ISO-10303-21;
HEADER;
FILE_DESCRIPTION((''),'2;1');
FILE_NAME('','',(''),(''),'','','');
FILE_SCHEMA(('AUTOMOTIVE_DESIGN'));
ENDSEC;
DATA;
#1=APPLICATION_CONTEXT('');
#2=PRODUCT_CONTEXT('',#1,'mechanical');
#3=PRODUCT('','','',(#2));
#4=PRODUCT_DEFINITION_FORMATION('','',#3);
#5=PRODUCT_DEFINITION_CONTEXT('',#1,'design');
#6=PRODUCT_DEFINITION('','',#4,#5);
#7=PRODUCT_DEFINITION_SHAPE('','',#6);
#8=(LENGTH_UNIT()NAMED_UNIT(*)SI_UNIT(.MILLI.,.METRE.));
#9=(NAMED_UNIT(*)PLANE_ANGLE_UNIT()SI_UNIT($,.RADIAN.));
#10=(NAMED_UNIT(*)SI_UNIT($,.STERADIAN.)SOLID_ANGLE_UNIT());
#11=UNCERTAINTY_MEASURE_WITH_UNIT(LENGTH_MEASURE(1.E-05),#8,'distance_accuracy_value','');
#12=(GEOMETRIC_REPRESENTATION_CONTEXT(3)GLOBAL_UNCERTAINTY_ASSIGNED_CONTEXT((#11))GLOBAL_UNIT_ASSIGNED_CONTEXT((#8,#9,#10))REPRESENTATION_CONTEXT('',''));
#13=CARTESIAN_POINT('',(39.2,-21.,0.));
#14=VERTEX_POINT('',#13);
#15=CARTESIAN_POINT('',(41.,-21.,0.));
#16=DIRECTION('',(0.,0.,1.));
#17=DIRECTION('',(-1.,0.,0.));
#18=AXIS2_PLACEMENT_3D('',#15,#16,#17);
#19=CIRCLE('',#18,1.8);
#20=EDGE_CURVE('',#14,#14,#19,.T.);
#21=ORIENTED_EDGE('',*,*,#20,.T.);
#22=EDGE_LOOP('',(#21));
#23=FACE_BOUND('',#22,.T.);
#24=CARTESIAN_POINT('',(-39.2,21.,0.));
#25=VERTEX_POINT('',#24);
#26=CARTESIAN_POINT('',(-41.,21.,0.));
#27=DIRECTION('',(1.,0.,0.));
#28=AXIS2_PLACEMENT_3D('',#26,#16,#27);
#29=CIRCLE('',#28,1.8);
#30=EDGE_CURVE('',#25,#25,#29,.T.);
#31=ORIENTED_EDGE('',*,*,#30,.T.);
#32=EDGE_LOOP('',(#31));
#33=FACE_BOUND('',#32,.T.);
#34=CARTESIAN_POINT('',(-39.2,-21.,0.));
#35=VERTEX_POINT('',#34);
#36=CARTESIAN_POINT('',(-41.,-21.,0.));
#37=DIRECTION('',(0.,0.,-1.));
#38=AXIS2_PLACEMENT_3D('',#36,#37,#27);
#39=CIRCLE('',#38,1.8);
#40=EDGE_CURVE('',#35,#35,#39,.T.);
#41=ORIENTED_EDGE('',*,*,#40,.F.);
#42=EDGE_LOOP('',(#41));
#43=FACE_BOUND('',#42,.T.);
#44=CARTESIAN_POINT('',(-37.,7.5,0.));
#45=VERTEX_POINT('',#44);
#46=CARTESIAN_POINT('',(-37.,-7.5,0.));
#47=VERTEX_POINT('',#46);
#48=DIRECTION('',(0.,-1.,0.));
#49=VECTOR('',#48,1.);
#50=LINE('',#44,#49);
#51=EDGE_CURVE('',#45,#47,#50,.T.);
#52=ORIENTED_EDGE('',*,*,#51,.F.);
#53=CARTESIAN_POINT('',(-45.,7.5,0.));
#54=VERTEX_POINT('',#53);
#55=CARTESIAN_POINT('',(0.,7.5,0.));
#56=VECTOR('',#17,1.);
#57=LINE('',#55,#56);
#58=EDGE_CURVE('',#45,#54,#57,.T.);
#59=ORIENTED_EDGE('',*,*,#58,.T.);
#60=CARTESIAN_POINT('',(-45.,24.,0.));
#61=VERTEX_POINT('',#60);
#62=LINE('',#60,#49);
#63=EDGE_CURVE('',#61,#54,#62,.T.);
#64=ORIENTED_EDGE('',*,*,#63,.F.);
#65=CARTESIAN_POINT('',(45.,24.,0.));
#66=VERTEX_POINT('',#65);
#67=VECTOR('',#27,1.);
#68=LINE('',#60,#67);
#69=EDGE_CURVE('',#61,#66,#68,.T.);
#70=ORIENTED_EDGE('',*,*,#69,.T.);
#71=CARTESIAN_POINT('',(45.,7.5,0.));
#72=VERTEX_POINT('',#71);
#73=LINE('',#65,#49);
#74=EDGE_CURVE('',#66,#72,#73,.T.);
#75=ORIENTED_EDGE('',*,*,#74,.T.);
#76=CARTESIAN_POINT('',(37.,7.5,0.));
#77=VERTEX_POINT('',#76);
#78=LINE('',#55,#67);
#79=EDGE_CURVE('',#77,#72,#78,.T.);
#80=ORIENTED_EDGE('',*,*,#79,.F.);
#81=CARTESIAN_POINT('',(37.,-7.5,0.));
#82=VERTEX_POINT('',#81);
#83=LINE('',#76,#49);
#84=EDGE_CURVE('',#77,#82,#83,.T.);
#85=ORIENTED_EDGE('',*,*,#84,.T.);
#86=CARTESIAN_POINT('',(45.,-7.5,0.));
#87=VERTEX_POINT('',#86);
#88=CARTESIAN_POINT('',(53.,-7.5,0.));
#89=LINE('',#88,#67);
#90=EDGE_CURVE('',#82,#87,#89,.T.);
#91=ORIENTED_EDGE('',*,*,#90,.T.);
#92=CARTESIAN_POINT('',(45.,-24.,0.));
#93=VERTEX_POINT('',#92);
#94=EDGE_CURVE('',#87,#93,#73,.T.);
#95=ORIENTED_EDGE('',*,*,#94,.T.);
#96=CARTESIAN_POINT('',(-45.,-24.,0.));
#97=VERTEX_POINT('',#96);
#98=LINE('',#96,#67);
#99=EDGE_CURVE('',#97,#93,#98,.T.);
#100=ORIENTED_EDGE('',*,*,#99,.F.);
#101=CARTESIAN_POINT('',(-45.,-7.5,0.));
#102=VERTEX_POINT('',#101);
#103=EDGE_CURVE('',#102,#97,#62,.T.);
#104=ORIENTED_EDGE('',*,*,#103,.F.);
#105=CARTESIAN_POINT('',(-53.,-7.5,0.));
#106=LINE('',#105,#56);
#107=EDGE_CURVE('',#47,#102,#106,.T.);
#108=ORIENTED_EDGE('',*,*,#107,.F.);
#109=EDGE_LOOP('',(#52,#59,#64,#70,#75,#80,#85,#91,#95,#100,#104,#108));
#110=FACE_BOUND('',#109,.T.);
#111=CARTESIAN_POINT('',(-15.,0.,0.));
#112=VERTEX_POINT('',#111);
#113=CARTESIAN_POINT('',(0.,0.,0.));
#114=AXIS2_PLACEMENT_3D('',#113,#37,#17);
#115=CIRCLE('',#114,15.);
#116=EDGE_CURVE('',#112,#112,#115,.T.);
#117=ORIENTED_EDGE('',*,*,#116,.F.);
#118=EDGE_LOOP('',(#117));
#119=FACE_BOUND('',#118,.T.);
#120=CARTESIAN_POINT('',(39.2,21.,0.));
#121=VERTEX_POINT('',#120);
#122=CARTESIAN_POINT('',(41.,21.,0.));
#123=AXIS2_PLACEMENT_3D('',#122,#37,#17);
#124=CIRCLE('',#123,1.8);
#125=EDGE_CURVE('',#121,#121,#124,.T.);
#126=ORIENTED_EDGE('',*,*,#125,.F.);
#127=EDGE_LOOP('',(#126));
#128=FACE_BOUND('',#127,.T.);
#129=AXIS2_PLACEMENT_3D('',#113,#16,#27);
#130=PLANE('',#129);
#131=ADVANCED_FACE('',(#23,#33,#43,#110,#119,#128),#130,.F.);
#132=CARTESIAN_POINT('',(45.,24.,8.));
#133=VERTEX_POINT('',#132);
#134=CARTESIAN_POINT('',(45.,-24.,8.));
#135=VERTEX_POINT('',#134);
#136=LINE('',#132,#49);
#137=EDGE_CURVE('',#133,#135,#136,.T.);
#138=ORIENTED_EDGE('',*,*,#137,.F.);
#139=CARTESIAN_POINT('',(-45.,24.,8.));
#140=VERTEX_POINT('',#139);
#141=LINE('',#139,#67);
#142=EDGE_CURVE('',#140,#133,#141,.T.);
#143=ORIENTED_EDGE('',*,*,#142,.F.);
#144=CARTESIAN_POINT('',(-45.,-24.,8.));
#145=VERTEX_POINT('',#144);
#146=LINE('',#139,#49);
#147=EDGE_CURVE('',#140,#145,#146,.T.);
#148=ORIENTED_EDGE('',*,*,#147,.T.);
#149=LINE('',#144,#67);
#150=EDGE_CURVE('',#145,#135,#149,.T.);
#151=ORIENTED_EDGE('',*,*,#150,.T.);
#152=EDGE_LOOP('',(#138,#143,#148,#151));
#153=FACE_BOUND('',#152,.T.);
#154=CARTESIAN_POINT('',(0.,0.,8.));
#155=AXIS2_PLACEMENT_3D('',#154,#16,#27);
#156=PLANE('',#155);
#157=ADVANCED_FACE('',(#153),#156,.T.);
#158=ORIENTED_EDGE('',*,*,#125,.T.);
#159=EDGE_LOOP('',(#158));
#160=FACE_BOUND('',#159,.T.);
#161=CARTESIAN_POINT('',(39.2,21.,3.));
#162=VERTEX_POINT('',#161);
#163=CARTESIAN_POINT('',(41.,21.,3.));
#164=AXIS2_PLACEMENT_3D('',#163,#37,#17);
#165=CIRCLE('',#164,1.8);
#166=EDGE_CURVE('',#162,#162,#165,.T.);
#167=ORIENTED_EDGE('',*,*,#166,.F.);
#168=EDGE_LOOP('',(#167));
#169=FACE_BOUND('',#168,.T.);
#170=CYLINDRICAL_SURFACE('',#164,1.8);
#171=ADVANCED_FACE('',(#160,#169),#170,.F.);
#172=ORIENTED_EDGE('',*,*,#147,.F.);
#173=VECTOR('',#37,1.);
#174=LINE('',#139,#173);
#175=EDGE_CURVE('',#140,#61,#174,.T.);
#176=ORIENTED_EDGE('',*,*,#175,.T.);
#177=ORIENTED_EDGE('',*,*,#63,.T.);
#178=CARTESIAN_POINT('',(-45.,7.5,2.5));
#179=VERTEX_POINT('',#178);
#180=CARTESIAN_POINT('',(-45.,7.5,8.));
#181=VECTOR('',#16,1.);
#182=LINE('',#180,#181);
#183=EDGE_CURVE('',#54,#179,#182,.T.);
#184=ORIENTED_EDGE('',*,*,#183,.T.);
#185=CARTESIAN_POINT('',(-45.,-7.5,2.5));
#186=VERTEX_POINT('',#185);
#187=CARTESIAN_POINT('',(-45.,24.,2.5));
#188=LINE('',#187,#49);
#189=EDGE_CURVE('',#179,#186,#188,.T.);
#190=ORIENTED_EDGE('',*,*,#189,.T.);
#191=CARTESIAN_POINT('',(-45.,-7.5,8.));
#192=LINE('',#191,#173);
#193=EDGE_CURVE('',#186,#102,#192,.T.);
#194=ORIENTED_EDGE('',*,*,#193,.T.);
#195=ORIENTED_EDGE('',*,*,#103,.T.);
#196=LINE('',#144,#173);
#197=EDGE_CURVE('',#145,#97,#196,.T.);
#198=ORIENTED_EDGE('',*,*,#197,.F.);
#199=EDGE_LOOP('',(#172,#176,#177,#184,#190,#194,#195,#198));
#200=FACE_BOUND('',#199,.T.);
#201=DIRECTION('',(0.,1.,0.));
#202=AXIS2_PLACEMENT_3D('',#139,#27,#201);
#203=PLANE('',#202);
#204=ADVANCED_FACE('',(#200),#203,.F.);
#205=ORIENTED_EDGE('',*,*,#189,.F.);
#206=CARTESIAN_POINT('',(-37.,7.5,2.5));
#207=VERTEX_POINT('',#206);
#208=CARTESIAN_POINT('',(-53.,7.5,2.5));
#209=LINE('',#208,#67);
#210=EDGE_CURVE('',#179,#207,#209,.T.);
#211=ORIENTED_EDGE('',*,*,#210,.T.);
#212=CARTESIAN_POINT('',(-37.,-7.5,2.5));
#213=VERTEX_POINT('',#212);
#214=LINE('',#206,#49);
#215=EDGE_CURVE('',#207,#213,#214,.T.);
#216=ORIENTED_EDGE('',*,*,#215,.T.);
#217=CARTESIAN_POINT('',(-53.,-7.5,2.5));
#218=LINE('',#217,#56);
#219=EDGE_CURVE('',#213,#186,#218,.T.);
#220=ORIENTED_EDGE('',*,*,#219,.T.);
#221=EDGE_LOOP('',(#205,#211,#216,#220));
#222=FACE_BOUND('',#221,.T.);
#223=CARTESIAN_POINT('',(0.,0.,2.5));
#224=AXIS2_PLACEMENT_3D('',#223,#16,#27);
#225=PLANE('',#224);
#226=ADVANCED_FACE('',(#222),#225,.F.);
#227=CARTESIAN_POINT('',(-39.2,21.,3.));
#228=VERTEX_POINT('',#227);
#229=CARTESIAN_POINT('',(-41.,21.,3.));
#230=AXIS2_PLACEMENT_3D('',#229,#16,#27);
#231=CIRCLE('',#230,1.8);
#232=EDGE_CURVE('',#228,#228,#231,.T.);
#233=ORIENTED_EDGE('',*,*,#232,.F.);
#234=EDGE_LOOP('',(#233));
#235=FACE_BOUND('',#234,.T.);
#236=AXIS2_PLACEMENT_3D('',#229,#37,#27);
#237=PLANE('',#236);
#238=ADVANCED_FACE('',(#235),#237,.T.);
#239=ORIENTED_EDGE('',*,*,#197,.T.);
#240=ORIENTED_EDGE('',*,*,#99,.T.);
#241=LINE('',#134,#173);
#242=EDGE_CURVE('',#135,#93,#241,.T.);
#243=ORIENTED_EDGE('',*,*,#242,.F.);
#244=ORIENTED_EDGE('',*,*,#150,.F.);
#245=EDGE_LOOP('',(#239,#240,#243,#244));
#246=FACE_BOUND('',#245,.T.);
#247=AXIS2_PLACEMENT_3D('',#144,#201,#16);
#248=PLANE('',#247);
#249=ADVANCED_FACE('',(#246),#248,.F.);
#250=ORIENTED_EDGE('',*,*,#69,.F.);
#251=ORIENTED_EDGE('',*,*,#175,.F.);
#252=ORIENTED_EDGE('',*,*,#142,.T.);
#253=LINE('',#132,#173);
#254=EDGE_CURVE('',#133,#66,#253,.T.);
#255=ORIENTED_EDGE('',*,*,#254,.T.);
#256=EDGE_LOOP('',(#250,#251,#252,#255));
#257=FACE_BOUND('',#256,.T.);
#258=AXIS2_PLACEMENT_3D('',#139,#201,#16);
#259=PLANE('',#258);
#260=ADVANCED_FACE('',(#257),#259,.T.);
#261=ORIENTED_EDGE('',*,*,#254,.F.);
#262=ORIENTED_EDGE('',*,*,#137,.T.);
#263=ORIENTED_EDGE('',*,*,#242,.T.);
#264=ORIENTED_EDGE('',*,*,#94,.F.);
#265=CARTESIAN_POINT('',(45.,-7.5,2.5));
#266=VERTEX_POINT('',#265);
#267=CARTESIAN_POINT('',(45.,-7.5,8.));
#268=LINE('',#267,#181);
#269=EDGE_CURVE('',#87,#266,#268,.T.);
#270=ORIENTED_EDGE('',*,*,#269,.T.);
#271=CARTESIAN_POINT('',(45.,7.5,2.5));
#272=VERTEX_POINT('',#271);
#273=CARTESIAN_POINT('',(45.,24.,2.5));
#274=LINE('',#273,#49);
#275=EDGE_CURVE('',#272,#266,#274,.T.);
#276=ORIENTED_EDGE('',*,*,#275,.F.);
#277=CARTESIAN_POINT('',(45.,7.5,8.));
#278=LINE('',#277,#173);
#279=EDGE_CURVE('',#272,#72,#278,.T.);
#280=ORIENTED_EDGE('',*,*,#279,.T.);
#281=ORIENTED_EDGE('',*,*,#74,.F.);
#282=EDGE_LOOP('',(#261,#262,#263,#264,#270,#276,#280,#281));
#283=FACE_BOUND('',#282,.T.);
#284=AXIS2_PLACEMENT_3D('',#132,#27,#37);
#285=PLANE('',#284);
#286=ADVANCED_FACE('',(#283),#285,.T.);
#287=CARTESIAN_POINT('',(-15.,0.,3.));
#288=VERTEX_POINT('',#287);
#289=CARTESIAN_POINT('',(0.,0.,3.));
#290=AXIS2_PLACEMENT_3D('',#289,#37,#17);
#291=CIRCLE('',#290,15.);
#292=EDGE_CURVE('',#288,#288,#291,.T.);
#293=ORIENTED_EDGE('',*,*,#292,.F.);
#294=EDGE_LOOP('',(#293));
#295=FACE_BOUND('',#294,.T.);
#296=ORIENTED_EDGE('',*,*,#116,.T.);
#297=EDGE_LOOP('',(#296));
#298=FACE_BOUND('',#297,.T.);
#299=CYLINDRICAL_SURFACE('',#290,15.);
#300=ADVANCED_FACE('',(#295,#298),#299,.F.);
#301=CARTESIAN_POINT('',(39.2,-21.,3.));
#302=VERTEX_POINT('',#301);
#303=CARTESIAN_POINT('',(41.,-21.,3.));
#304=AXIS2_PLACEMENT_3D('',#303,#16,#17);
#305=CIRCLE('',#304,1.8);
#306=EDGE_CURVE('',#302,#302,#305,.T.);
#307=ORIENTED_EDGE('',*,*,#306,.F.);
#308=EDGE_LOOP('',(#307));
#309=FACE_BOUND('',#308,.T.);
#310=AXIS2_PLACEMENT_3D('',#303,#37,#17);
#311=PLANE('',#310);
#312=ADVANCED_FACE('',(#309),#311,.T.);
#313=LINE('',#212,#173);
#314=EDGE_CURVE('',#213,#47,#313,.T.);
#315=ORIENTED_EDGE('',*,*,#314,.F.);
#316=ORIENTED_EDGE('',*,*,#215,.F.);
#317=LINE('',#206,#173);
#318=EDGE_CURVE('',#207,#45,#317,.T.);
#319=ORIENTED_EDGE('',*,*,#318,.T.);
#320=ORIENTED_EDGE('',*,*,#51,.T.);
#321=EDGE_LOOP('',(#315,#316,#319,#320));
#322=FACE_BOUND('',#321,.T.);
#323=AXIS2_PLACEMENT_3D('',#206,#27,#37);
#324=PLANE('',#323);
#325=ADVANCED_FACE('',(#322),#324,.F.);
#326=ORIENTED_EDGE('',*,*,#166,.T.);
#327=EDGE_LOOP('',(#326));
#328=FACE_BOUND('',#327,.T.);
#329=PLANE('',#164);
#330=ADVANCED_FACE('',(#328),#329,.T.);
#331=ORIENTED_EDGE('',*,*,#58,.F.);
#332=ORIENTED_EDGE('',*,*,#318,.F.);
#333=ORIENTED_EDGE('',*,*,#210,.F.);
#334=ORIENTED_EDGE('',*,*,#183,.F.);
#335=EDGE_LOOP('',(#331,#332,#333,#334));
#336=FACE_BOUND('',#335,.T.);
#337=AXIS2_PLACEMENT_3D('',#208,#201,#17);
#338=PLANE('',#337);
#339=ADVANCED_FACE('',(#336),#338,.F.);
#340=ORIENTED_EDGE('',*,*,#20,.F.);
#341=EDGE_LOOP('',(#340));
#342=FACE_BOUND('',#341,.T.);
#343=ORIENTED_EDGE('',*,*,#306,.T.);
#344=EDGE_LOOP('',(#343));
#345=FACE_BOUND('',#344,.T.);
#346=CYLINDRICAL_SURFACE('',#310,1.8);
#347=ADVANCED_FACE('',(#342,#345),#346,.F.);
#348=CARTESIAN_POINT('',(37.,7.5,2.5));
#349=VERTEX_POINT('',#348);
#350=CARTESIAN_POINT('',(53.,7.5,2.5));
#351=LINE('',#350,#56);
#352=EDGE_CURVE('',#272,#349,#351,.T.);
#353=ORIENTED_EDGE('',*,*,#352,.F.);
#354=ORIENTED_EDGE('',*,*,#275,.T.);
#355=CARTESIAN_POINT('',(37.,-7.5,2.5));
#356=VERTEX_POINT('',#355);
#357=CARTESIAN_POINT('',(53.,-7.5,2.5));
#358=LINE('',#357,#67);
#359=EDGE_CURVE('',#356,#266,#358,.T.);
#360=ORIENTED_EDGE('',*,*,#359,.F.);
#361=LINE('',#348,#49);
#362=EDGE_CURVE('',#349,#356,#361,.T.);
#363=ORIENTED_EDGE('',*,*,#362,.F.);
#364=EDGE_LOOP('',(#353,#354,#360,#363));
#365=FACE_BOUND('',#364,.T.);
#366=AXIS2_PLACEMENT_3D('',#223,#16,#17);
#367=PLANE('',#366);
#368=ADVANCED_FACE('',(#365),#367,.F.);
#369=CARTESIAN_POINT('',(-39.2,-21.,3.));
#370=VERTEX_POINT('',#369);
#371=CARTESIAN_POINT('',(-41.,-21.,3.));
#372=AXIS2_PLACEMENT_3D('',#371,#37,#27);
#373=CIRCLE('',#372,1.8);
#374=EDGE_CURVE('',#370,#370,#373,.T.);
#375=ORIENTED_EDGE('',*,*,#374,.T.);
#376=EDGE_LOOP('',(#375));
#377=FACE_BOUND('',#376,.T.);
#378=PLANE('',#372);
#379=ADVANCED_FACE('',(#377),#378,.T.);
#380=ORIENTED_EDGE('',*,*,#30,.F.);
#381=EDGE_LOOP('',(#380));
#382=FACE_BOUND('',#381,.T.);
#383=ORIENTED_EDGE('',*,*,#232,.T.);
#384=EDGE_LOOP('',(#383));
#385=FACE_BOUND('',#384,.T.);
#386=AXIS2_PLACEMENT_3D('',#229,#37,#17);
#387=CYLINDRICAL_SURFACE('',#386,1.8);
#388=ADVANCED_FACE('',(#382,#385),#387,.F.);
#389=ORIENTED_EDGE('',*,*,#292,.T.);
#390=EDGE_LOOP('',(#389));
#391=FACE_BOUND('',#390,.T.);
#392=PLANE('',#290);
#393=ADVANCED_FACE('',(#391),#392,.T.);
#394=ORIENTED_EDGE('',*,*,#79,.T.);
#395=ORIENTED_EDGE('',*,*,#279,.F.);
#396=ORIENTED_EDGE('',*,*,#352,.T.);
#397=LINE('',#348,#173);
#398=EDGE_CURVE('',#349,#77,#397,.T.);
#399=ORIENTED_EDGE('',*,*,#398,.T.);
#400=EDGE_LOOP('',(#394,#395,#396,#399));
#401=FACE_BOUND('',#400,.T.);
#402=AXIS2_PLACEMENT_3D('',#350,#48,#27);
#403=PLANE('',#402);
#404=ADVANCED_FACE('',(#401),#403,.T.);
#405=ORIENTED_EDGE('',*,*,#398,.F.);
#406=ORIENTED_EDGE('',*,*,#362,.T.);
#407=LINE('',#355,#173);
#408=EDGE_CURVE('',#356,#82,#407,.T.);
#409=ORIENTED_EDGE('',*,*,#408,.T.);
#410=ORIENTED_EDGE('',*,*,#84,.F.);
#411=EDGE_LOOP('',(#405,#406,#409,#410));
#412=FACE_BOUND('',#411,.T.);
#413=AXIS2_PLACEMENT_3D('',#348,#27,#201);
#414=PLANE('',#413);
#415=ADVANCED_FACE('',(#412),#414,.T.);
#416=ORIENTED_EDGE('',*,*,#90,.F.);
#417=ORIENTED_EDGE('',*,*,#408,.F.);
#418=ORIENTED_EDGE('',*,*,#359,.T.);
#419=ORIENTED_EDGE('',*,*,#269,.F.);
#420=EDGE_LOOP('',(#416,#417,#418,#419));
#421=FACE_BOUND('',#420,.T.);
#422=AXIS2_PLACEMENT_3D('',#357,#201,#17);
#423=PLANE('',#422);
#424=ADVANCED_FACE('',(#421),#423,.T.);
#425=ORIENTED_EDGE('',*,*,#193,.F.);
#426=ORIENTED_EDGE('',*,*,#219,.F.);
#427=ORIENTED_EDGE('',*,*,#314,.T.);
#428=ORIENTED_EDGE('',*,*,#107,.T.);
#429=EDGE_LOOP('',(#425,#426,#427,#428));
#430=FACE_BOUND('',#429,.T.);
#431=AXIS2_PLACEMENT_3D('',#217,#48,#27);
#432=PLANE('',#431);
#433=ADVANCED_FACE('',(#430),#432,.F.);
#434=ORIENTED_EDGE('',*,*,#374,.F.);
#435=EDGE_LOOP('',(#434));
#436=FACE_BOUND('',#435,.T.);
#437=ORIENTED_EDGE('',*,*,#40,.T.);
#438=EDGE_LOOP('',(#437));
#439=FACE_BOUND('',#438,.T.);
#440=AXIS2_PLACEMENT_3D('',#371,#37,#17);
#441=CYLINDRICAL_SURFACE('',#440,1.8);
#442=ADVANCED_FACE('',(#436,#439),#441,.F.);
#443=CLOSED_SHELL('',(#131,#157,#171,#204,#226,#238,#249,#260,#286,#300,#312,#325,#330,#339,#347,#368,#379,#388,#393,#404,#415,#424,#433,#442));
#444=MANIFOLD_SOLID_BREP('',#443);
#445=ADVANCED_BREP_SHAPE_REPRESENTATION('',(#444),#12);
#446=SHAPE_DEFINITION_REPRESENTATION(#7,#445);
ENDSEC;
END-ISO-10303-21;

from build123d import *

# Parameters (mm, degrees)
SKETCH_1_W               = 90
SKETCH_1_H               = 48
EXTRUDE_1_DEPTH          = 8
SKETCH_4_R               = 15
CUT_EXTRUDE_3_DEPTH      = 3
SKETCH_5_R               = 1.8
CUT_EXTRUDE_4_DEPTH      = 3
MIRROR_2_COPY_1_SKETCH_R = 1.8
MIRROR_2_COPY_1_DEPTH    = 3
SKETCH_6_W               = 16
SKETCH_6_H               = 15
CUT_EXTRUDE_5_DEPTH      = 2.5


with BuildPart() as part:
    # 草图1 → 凸台-拉伸1 (new body)
    with BuildSketch(Plane.XY):
        Rectangle(SKETCH_1_W, SKETCH_1_H)
    extrude(amount=EXTRUDE_1_DEPTH)

    # 草图4 → 切除-拉伸3 (cut)
    with BuildSketch(Plane(origin=(0, 0, 0), x_dir=(-1, 0, 0), z_dir=(0, 0, -1))):
        Circle(SKETCH_4_R)
    extrude(amount=-CUT_EXTRUDE_3_DEPTH, mode=Mode.SUBTRACT)

    # 草图5 → 切除-拉伸4 (cut)
    with BuildSketch(Plane(origin=(0, 0, 0), x_dir=(-1, 0, 0), z_dir=(0, 0, -1))):
        with Locations((-41, 21)):
            Circle(SKETCH_5_R)
    cut_extrude_4 = extrude(amount=-CUT_EXTRUDE_4_DEPTH, mode=Mode.SUBTRACT)

    # 镜向1: 切除-拉伸4 across plane
    add(cut_extrude_4.mirror(Plane.ZX), mode=Mode.SUBTRACT)

    # 镜向2: 切除-拉伸4 across plane
    add(cut_extrude_4.mirror(Plane(origin=(0, 0, 0), x_dir=(0, 0, 1), z_dir=(1, 0, 0))), mode=Mode.SUBTRACT)

    # 镜向2 copy 1 sketch → 镜向2 copy 1 (cut)
    with BuildSketch(Plane(origin=(0, 0, 0), x_dir=(1, 0, 0), z_dir=(0, 0, -1))):
        with Locations((-41, 21)):
            Circle(MIRROR_2_COPY_1_SKETCH_R)
    extrude(amount=-MIRROR_2_COPY_1_DEPTH, mode=Mode.SUBTRACT)

    # 草图6 → 切除-拉伸5 (cut)
    with BuildSketch(Plane(origin=(0, 0, 0), x_dir=(-1, 0, 0), z_dir=(0, 0, -1))):
        with Locations((45, 0)):
            Rectangle(SKETCH_6_W, SKETCH_6_H)
    cut_extrude_5 = extrude(amount=-CUT_EXTRUDE_5_DEPTH, mode=Mode.SUBTRACT)

    # 镜向3: 切除-拉伸5 across plane
    add(cut_extrude_5.mirror(Plane(origin=(0, 0, 0), x_dir=(0, 0, 1), z_dir=(1, 0, 0))), mode=Mode.SUBTRACT)


solid = part.part
